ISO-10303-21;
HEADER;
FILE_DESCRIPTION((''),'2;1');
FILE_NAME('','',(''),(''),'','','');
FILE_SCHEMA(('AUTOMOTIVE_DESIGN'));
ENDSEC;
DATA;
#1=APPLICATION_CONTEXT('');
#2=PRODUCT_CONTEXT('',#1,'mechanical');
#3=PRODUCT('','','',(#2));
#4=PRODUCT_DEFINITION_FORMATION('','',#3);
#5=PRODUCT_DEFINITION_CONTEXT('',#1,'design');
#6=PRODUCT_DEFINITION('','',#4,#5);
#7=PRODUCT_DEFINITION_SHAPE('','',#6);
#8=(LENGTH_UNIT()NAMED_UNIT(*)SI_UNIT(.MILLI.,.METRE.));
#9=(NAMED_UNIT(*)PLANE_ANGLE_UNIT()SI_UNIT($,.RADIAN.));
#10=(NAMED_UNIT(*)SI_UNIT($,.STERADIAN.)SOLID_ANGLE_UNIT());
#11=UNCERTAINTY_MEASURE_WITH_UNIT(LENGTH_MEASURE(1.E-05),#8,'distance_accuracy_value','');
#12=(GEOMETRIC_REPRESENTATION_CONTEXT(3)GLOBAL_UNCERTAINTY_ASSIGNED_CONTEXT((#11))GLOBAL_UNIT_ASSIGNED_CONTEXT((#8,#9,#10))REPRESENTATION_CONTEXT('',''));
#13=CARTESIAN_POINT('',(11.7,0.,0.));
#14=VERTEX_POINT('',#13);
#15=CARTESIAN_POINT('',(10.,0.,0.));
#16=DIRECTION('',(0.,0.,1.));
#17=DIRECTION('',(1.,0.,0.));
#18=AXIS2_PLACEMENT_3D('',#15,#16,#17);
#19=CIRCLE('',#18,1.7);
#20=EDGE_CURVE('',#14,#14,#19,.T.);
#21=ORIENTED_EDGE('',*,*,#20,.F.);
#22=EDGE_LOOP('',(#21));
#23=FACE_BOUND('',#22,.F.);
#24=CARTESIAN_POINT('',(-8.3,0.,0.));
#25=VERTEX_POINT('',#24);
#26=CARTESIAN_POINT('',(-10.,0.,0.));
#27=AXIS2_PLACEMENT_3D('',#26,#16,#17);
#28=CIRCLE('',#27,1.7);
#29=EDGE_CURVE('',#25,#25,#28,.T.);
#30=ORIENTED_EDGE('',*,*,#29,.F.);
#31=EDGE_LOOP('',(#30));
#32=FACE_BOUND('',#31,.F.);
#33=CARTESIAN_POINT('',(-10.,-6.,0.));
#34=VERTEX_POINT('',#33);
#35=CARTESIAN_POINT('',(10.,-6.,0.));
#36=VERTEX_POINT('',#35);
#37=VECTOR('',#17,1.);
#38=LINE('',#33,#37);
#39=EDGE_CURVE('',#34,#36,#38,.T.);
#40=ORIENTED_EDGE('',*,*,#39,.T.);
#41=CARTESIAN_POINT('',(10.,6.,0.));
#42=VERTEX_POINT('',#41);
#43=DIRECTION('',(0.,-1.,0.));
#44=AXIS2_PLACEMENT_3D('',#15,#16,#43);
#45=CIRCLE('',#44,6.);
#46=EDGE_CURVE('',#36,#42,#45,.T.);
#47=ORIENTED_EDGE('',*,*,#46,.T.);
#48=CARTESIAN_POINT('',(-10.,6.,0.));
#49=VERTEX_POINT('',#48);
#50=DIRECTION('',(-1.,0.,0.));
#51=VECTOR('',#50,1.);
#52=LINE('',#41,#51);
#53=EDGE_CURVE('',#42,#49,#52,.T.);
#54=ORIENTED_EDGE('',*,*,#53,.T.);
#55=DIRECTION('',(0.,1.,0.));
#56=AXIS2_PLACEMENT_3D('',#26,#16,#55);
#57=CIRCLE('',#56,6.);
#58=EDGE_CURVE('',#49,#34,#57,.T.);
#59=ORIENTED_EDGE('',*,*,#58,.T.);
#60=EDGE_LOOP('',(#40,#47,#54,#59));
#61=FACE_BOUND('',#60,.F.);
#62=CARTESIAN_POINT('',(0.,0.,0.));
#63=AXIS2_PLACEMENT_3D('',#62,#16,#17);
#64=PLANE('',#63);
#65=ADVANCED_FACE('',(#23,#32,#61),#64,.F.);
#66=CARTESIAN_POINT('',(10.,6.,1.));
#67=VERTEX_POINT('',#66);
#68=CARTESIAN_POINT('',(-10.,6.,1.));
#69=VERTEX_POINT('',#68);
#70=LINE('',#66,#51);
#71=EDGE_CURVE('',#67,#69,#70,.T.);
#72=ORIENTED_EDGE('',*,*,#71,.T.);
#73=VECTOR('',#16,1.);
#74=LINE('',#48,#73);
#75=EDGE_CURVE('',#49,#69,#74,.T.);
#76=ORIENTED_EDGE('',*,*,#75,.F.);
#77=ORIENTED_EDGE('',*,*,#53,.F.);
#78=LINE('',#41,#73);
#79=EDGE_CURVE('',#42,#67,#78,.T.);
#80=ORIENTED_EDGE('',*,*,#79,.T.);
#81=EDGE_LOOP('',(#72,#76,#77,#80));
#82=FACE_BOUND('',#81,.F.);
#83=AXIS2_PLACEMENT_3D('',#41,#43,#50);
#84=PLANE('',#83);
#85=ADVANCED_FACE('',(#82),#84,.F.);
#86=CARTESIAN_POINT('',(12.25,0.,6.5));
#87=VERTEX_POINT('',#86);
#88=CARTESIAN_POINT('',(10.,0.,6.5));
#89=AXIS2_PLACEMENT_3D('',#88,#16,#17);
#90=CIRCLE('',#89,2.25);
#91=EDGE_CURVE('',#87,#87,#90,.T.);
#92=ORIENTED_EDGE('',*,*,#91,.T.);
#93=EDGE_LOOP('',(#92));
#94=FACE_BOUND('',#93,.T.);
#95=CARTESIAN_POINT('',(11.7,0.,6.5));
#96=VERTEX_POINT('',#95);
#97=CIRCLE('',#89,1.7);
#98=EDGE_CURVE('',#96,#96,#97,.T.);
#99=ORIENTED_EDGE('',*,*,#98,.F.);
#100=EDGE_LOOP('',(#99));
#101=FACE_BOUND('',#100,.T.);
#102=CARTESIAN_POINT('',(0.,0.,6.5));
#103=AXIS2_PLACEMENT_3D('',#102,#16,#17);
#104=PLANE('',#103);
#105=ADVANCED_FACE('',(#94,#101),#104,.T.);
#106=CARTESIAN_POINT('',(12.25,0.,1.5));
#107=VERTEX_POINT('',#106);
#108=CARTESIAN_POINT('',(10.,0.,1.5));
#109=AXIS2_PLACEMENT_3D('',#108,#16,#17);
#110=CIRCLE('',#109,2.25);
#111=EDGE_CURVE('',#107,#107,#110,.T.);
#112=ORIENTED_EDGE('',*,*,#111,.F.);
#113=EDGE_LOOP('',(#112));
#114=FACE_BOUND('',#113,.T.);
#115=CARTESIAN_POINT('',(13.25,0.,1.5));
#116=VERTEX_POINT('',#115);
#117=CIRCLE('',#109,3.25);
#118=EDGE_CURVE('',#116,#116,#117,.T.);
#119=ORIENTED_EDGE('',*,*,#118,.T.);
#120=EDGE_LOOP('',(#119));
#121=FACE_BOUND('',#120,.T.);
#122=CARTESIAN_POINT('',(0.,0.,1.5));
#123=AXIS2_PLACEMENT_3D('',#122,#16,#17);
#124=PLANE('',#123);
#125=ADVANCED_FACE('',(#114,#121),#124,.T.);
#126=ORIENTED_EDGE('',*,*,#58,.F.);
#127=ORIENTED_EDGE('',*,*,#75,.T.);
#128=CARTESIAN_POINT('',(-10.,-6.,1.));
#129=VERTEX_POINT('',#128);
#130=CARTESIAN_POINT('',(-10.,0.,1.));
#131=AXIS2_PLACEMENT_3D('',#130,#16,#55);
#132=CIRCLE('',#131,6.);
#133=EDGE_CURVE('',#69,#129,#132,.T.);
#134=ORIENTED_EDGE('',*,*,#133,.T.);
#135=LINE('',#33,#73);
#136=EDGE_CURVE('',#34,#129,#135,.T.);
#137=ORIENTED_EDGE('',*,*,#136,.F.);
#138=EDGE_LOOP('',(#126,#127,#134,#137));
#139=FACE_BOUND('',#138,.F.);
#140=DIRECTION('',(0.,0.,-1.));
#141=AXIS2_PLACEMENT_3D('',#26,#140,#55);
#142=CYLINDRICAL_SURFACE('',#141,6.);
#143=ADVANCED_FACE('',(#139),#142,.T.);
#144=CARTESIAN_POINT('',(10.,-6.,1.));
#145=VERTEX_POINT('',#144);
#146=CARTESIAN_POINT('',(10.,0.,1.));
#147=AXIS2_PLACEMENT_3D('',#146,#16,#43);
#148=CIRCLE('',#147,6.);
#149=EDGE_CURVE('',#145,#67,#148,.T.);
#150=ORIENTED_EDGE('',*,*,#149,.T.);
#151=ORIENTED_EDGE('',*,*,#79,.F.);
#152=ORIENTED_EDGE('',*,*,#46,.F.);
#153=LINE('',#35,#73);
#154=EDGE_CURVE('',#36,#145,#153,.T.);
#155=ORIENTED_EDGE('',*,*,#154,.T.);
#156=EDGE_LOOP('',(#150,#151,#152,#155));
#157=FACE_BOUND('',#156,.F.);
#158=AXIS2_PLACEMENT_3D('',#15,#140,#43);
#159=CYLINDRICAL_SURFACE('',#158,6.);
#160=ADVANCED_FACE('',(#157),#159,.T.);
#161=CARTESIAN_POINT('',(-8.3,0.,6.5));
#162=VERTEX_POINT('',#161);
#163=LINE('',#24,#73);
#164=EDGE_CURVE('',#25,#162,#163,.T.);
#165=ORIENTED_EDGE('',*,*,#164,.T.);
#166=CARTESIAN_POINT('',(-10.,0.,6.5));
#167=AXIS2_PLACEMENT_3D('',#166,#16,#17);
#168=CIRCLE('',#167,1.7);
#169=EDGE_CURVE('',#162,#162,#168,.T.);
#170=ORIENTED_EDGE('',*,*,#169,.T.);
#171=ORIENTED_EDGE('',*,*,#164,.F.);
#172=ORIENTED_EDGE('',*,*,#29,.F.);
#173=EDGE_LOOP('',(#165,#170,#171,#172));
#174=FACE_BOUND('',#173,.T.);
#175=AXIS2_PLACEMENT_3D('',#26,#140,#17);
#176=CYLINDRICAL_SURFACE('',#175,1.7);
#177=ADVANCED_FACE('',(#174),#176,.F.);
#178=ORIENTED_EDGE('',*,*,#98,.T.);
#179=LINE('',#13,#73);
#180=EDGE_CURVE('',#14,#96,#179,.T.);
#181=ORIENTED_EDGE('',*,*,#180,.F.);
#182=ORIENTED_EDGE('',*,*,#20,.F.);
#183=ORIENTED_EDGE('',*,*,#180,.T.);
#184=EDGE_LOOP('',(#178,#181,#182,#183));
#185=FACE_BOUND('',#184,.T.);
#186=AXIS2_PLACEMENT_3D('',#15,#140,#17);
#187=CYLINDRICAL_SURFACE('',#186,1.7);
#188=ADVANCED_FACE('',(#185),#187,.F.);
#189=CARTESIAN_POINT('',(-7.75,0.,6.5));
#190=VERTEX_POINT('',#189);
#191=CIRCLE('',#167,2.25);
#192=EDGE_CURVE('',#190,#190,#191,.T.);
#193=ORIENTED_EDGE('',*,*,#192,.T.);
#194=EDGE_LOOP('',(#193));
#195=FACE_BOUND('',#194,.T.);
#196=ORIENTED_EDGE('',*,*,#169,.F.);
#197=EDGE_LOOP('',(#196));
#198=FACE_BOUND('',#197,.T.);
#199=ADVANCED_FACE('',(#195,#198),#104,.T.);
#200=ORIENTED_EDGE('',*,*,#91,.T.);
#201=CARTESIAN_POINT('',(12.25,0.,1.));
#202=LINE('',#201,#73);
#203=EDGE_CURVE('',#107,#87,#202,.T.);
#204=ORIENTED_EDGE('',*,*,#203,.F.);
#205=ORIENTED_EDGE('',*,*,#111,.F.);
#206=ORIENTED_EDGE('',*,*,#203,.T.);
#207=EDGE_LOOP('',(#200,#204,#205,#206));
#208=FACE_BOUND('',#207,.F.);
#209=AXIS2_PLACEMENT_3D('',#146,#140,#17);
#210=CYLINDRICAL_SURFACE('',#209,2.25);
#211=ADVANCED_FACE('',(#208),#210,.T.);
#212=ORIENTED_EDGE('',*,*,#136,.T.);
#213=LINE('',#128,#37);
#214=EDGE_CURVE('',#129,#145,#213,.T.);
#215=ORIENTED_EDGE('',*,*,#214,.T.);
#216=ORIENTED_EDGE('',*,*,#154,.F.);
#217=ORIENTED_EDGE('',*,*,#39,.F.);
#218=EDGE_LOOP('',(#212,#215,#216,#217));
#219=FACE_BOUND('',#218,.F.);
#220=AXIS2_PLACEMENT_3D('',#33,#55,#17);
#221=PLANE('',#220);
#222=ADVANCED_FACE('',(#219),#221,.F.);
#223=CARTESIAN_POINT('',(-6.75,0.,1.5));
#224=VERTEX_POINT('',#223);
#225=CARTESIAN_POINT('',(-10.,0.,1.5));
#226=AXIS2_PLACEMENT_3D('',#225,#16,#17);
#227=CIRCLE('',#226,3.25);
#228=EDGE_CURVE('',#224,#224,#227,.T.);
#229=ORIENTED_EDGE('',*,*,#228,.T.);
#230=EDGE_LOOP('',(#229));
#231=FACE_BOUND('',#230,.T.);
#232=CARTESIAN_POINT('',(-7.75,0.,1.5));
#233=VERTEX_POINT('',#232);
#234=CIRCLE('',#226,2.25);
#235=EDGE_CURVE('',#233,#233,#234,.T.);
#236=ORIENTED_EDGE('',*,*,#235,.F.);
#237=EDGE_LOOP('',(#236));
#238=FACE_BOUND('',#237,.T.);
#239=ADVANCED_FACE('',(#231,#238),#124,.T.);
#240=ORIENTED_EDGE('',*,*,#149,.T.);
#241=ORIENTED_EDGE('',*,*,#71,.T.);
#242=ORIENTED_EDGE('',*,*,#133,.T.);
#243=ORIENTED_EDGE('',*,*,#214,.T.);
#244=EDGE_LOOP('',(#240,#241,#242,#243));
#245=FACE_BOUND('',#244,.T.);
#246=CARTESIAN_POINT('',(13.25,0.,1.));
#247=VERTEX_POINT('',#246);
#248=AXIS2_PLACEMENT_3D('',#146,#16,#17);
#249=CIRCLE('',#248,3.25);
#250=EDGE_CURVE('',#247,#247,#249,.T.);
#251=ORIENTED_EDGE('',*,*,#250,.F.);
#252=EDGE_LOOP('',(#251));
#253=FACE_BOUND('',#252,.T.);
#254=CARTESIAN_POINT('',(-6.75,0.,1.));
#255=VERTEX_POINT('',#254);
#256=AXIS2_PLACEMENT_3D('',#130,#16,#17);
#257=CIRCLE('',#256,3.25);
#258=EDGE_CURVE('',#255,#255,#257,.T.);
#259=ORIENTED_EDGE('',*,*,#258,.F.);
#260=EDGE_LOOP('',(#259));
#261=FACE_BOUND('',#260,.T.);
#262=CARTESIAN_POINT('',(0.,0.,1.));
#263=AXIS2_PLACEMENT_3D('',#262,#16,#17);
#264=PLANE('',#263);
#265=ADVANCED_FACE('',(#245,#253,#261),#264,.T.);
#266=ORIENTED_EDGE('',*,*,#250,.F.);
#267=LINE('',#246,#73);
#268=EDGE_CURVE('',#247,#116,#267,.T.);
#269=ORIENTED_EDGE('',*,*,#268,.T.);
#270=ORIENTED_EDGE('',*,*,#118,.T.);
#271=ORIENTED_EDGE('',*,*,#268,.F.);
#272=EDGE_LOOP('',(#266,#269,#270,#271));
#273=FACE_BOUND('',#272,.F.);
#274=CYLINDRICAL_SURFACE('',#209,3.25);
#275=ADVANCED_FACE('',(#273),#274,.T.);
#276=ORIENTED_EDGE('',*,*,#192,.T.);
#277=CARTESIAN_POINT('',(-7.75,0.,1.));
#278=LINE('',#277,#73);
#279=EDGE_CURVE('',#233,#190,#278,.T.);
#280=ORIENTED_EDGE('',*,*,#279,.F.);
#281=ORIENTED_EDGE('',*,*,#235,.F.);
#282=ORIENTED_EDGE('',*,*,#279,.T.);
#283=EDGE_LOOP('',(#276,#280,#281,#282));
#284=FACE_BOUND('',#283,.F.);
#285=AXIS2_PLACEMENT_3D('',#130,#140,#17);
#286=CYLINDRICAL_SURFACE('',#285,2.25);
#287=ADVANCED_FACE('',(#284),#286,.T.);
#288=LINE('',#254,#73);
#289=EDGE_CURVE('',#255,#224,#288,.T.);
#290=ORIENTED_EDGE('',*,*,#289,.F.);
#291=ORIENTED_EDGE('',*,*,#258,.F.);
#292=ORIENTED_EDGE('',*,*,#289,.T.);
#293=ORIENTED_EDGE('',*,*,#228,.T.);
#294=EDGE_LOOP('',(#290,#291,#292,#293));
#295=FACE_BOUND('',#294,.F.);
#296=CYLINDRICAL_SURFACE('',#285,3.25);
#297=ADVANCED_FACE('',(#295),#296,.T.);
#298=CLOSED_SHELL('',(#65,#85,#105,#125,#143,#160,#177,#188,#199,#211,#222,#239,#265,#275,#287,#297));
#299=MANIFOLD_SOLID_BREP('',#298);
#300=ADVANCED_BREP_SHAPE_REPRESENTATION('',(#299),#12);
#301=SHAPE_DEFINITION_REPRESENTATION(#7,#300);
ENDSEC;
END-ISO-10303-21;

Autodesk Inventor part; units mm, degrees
ref_plane "YZ Plane" through (0, 0, 0) normal (1, 0, 0) x (0, 1, 0)
ref_plane "XZ Plane" through (0, 0, 0) normal (0, 1, 0) x (-1, 0, 0)
ref_plane "XY Plane" through (0, 0, 0) normal (0, 0, 1) x (1, 0, 0)
sketch "Sketch1" plane through (0, 0, 0) normal (0, 0, 1) x (1, 0, 0)
  line L0 (-10, 0) -> (10, 0) construction
  line L1 (-10, -6) -> (10, -6)
  line L2 (10, 6) -> (-10, 6)
  arc A0 (-10, 6) -> (-10, -6) centre (-10, 0) ccw
  arc A1 (10, -6) -> (10, 6) centre (10, 0) ccw
  circle A2 centre (-10, 0) radius 1.7
  circle A3 centre (10, 0) radius 1.7
  point P0 (0, 0)
  point P1 (0, 0)
  dimension "d0" = 20
  dimension "d1" = 6
  dimension "d2" = 3.4
extrude "Extrusion1" add sketch "Sketch1" along normal blind 1
sketch "Sketch2" plane through (0, 0, 1) normal (0, 0, 1) x (1, 0, 0)
  circle A0 centre (10, 0) radius 1.7 projected
  circle A1 centre (10, 0) radius 2.25
  circle A2 centre (-10, 0) radius 1.7 projected
  circle A3 centre (-10, 0) radius 2.25
  point P0 (0, 0)
  dimension "d5" = 4.5
  dimension "d6" = 4.5
extrude "Extrusion2" add sketch "Sketch2" along normal blind 5.5
sketch "Sketch3" plane through (0, 0, 1) normal (0, 0, 1) x (1, 0, 0)
  circle A0 centre (10, 0) radius 2.25 projected
  circle A1 centre (-10, 0) radius 2.25 projected
  circle A2 centre (10, 0) radius 2.25 projected
  arc A3 (10, -6) -> (10, 6) centre (10, 0) ccw projected
  line L0 (10, 6) -> (-10, 6) projected
  arc A4 (-10, 6) -> (-10, -6) centre (-10, 0) ccw projected
  line L1 (-10, -6) -> (10, -6) projected
  circle A5 centre (10, 0) radius 3.25
  circle A6 centre (-10, 0) radius 3.25
  point P0 (0, 0)
  dimension "d9" = 6.5
extrude "Extrusion3" add sketch "Sketch3" along normal blind 0.5 contours A5 | A6
equation "\"d6\" = d5"
properties part number "Belt Retaining Guide"
